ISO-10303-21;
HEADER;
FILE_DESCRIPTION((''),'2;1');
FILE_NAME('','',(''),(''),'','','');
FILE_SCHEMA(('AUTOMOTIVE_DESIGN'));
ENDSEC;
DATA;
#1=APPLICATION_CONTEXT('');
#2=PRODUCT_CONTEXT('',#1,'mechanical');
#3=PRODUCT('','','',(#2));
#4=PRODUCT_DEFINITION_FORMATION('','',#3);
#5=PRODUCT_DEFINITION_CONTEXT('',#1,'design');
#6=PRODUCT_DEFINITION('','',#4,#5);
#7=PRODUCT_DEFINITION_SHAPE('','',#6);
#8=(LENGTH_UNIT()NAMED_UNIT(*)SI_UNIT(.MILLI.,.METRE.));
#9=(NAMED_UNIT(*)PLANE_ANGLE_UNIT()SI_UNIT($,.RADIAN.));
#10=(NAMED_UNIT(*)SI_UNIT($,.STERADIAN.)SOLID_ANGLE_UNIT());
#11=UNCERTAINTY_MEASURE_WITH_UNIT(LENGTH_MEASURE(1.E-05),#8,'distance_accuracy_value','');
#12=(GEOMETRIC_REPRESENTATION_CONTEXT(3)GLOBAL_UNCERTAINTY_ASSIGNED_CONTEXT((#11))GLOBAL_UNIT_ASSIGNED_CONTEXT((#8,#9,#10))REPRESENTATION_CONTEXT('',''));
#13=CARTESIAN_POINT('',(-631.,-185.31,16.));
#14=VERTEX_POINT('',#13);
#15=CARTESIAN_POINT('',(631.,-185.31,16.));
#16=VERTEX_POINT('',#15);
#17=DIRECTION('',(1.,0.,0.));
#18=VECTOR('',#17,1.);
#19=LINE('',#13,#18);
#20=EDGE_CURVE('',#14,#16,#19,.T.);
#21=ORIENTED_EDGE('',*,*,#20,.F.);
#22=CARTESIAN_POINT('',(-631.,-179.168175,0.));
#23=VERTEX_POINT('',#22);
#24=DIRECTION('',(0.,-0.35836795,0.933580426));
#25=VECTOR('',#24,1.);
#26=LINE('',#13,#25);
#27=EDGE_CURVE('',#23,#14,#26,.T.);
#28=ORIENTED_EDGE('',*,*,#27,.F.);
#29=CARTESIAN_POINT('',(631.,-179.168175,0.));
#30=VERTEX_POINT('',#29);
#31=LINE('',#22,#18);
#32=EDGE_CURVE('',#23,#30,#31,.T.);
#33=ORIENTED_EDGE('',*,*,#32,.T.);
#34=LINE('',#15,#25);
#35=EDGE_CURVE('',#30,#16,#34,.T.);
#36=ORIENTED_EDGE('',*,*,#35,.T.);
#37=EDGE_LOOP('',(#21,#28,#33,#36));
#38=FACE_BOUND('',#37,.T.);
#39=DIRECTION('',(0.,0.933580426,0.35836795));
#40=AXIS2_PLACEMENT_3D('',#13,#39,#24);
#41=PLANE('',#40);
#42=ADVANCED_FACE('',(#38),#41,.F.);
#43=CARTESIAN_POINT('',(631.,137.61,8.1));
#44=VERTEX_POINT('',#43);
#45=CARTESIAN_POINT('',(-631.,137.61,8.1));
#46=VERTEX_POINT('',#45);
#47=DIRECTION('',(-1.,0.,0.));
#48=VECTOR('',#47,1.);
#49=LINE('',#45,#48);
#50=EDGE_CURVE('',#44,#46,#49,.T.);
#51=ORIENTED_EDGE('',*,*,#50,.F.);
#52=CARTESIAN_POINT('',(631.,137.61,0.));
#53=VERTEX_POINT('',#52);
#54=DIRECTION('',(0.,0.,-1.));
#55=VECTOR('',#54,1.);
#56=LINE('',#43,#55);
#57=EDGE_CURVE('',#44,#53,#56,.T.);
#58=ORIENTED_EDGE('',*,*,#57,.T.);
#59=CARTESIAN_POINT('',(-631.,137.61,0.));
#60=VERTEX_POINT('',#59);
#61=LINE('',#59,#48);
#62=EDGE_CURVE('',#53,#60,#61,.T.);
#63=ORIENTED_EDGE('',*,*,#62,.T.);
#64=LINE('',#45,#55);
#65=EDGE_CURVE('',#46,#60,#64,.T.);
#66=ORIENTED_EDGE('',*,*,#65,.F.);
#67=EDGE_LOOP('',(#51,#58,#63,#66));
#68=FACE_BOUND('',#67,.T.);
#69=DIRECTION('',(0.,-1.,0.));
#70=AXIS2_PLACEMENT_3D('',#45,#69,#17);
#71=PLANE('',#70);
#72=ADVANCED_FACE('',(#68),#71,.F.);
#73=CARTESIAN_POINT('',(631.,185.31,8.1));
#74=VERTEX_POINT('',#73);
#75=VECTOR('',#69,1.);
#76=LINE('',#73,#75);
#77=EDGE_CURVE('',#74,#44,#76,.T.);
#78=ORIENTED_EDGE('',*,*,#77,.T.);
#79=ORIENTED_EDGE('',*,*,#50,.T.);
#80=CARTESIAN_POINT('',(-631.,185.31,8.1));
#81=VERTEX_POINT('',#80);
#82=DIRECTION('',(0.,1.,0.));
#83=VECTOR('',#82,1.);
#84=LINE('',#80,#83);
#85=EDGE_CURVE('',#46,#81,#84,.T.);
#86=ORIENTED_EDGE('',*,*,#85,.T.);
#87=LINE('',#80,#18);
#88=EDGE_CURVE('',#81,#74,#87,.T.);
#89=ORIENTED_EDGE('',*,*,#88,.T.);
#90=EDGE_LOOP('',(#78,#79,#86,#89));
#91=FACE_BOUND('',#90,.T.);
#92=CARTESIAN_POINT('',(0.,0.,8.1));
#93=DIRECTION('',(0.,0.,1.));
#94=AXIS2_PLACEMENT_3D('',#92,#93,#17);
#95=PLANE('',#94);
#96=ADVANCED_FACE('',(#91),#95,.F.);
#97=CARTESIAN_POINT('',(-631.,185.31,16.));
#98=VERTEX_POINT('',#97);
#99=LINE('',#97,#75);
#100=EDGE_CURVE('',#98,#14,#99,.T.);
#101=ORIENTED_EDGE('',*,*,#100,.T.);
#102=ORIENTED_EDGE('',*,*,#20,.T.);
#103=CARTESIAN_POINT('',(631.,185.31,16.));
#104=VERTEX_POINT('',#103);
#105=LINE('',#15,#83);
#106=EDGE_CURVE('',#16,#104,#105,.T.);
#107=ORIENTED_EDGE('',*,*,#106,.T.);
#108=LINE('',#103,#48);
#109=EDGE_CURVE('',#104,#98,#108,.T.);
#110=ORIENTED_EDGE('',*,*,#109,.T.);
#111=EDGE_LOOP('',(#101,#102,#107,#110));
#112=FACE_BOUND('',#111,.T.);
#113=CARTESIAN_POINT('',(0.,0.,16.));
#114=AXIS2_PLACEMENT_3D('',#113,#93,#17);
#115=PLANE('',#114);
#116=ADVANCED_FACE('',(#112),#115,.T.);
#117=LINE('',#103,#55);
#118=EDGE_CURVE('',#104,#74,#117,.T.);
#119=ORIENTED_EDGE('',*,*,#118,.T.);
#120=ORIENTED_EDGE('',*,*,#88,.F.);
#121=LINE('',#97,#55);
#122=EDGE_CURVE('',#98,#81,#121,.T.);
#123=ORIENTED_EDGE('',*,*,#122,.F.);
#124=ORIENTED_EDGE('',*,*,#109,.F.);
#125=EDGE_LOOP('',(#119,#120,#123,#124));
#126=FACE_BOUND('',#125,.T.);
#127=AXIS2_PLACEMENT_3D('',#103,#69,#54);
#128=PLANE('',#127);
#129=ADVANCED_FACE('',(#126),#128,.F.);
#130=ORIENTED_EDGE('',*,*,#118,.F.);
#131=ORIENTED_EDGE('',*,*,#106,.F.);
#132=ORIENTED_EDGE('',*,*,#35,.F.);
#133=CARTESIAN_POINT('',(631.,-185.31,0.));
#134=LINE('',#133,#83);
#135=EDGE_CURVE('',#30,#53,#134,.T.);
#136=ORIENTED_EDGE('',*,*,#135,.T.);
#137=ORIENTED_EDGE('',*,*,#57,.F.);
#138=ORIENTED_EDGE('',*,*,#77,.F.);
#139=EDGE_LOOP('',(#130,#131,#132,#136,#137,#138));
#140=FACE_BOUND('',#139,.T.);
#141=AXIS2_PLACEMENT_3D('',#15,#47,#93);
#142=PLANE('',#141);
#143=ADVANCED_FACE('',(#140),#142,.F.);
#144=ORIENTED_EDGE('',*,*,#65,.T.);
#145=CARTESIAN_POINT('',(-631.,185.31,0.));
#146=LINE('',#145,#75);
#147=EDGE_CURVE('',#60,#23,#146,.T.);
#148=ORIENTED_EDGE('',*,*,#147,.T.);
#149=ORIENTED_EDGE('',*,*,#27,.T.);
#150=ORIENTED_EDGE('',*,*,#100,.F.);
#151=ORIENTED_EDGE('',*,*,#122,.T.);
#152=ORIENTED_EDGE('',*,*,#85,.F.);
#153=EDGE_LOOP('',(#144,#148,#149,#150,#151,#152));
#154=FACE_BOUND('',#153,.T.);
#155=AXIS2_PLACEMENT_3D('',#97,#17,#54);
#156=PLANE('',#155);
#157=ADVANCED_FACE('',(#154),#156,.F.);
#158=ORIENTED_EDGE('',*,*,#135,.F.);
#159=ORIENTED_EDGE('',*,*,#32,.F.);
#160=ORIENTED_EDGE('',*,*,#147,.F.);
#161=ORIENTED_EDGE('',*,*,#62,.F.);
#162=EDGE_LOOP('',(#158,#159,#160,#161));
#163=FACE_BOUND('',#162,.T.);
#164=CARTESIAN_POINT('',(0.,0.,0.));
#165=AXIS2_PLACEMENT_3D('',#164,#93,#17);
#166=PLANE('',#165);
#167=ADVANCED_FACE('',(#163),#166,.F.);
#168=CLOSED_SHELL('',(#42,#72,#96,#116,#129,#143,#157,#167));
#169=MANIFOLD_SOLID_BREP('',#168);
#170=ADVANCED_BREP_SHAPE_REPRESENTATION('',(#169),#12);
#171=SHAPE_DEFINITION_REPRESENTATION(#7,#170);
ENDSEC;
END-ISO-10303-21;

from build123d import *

# Parameters (mm, degrees)
SKETCH1_W           = 1262
SKETCH1_H           = 370.62
BOSS_EXTRUDE1_DEPTH = 16
SKETCH2_W           = 1262
SKETCH2_H           = 47.7
CUT_EXTRUDE1_DEPTH  = 8.1
CUT_EXTRUDE2_DEPTH  = 1276.633096192


with BuildPart() as part:
    # Sketch1 → Boss-Extrude1 (new body)
    with BuildSketch(Plane.XY):
        Rectangle(SKETCH1_W, SKETCH1_H)
    extrude(amount=BOSS_EXTRUDE1_DEPTH)

    # Sketch2 → Cut-Extrude1 (cut)
    with BuildSketch(Plane(origin=(0, 0, 0), x_dir=(-1, 0, 0), z_dir=(0, 0, -1))):
        with Locations((0, 161.46)):
            Rectangle(SKETCH2_W, SKETCH2_H)
    extrude(amount=-CUT_EXTRUDE1_DEPTH, mode=Mode.SUBTRACT)

    # Sketch3 → Cut-Extrude2 (cut, through all)
    with BuildSketch(Plane(origin=(631, 0, 0), x_dir=(0, 0, -1), z_dir=(1, 0, 0))):
        Polygon((-16, -185.31), (0, -179.168175439), (0, -185.31), align=None)
    extrude(amount=-CUT_EXTRUDE2_DEPTH, mode=Mode.SUBTRACT)


solid = part.part
